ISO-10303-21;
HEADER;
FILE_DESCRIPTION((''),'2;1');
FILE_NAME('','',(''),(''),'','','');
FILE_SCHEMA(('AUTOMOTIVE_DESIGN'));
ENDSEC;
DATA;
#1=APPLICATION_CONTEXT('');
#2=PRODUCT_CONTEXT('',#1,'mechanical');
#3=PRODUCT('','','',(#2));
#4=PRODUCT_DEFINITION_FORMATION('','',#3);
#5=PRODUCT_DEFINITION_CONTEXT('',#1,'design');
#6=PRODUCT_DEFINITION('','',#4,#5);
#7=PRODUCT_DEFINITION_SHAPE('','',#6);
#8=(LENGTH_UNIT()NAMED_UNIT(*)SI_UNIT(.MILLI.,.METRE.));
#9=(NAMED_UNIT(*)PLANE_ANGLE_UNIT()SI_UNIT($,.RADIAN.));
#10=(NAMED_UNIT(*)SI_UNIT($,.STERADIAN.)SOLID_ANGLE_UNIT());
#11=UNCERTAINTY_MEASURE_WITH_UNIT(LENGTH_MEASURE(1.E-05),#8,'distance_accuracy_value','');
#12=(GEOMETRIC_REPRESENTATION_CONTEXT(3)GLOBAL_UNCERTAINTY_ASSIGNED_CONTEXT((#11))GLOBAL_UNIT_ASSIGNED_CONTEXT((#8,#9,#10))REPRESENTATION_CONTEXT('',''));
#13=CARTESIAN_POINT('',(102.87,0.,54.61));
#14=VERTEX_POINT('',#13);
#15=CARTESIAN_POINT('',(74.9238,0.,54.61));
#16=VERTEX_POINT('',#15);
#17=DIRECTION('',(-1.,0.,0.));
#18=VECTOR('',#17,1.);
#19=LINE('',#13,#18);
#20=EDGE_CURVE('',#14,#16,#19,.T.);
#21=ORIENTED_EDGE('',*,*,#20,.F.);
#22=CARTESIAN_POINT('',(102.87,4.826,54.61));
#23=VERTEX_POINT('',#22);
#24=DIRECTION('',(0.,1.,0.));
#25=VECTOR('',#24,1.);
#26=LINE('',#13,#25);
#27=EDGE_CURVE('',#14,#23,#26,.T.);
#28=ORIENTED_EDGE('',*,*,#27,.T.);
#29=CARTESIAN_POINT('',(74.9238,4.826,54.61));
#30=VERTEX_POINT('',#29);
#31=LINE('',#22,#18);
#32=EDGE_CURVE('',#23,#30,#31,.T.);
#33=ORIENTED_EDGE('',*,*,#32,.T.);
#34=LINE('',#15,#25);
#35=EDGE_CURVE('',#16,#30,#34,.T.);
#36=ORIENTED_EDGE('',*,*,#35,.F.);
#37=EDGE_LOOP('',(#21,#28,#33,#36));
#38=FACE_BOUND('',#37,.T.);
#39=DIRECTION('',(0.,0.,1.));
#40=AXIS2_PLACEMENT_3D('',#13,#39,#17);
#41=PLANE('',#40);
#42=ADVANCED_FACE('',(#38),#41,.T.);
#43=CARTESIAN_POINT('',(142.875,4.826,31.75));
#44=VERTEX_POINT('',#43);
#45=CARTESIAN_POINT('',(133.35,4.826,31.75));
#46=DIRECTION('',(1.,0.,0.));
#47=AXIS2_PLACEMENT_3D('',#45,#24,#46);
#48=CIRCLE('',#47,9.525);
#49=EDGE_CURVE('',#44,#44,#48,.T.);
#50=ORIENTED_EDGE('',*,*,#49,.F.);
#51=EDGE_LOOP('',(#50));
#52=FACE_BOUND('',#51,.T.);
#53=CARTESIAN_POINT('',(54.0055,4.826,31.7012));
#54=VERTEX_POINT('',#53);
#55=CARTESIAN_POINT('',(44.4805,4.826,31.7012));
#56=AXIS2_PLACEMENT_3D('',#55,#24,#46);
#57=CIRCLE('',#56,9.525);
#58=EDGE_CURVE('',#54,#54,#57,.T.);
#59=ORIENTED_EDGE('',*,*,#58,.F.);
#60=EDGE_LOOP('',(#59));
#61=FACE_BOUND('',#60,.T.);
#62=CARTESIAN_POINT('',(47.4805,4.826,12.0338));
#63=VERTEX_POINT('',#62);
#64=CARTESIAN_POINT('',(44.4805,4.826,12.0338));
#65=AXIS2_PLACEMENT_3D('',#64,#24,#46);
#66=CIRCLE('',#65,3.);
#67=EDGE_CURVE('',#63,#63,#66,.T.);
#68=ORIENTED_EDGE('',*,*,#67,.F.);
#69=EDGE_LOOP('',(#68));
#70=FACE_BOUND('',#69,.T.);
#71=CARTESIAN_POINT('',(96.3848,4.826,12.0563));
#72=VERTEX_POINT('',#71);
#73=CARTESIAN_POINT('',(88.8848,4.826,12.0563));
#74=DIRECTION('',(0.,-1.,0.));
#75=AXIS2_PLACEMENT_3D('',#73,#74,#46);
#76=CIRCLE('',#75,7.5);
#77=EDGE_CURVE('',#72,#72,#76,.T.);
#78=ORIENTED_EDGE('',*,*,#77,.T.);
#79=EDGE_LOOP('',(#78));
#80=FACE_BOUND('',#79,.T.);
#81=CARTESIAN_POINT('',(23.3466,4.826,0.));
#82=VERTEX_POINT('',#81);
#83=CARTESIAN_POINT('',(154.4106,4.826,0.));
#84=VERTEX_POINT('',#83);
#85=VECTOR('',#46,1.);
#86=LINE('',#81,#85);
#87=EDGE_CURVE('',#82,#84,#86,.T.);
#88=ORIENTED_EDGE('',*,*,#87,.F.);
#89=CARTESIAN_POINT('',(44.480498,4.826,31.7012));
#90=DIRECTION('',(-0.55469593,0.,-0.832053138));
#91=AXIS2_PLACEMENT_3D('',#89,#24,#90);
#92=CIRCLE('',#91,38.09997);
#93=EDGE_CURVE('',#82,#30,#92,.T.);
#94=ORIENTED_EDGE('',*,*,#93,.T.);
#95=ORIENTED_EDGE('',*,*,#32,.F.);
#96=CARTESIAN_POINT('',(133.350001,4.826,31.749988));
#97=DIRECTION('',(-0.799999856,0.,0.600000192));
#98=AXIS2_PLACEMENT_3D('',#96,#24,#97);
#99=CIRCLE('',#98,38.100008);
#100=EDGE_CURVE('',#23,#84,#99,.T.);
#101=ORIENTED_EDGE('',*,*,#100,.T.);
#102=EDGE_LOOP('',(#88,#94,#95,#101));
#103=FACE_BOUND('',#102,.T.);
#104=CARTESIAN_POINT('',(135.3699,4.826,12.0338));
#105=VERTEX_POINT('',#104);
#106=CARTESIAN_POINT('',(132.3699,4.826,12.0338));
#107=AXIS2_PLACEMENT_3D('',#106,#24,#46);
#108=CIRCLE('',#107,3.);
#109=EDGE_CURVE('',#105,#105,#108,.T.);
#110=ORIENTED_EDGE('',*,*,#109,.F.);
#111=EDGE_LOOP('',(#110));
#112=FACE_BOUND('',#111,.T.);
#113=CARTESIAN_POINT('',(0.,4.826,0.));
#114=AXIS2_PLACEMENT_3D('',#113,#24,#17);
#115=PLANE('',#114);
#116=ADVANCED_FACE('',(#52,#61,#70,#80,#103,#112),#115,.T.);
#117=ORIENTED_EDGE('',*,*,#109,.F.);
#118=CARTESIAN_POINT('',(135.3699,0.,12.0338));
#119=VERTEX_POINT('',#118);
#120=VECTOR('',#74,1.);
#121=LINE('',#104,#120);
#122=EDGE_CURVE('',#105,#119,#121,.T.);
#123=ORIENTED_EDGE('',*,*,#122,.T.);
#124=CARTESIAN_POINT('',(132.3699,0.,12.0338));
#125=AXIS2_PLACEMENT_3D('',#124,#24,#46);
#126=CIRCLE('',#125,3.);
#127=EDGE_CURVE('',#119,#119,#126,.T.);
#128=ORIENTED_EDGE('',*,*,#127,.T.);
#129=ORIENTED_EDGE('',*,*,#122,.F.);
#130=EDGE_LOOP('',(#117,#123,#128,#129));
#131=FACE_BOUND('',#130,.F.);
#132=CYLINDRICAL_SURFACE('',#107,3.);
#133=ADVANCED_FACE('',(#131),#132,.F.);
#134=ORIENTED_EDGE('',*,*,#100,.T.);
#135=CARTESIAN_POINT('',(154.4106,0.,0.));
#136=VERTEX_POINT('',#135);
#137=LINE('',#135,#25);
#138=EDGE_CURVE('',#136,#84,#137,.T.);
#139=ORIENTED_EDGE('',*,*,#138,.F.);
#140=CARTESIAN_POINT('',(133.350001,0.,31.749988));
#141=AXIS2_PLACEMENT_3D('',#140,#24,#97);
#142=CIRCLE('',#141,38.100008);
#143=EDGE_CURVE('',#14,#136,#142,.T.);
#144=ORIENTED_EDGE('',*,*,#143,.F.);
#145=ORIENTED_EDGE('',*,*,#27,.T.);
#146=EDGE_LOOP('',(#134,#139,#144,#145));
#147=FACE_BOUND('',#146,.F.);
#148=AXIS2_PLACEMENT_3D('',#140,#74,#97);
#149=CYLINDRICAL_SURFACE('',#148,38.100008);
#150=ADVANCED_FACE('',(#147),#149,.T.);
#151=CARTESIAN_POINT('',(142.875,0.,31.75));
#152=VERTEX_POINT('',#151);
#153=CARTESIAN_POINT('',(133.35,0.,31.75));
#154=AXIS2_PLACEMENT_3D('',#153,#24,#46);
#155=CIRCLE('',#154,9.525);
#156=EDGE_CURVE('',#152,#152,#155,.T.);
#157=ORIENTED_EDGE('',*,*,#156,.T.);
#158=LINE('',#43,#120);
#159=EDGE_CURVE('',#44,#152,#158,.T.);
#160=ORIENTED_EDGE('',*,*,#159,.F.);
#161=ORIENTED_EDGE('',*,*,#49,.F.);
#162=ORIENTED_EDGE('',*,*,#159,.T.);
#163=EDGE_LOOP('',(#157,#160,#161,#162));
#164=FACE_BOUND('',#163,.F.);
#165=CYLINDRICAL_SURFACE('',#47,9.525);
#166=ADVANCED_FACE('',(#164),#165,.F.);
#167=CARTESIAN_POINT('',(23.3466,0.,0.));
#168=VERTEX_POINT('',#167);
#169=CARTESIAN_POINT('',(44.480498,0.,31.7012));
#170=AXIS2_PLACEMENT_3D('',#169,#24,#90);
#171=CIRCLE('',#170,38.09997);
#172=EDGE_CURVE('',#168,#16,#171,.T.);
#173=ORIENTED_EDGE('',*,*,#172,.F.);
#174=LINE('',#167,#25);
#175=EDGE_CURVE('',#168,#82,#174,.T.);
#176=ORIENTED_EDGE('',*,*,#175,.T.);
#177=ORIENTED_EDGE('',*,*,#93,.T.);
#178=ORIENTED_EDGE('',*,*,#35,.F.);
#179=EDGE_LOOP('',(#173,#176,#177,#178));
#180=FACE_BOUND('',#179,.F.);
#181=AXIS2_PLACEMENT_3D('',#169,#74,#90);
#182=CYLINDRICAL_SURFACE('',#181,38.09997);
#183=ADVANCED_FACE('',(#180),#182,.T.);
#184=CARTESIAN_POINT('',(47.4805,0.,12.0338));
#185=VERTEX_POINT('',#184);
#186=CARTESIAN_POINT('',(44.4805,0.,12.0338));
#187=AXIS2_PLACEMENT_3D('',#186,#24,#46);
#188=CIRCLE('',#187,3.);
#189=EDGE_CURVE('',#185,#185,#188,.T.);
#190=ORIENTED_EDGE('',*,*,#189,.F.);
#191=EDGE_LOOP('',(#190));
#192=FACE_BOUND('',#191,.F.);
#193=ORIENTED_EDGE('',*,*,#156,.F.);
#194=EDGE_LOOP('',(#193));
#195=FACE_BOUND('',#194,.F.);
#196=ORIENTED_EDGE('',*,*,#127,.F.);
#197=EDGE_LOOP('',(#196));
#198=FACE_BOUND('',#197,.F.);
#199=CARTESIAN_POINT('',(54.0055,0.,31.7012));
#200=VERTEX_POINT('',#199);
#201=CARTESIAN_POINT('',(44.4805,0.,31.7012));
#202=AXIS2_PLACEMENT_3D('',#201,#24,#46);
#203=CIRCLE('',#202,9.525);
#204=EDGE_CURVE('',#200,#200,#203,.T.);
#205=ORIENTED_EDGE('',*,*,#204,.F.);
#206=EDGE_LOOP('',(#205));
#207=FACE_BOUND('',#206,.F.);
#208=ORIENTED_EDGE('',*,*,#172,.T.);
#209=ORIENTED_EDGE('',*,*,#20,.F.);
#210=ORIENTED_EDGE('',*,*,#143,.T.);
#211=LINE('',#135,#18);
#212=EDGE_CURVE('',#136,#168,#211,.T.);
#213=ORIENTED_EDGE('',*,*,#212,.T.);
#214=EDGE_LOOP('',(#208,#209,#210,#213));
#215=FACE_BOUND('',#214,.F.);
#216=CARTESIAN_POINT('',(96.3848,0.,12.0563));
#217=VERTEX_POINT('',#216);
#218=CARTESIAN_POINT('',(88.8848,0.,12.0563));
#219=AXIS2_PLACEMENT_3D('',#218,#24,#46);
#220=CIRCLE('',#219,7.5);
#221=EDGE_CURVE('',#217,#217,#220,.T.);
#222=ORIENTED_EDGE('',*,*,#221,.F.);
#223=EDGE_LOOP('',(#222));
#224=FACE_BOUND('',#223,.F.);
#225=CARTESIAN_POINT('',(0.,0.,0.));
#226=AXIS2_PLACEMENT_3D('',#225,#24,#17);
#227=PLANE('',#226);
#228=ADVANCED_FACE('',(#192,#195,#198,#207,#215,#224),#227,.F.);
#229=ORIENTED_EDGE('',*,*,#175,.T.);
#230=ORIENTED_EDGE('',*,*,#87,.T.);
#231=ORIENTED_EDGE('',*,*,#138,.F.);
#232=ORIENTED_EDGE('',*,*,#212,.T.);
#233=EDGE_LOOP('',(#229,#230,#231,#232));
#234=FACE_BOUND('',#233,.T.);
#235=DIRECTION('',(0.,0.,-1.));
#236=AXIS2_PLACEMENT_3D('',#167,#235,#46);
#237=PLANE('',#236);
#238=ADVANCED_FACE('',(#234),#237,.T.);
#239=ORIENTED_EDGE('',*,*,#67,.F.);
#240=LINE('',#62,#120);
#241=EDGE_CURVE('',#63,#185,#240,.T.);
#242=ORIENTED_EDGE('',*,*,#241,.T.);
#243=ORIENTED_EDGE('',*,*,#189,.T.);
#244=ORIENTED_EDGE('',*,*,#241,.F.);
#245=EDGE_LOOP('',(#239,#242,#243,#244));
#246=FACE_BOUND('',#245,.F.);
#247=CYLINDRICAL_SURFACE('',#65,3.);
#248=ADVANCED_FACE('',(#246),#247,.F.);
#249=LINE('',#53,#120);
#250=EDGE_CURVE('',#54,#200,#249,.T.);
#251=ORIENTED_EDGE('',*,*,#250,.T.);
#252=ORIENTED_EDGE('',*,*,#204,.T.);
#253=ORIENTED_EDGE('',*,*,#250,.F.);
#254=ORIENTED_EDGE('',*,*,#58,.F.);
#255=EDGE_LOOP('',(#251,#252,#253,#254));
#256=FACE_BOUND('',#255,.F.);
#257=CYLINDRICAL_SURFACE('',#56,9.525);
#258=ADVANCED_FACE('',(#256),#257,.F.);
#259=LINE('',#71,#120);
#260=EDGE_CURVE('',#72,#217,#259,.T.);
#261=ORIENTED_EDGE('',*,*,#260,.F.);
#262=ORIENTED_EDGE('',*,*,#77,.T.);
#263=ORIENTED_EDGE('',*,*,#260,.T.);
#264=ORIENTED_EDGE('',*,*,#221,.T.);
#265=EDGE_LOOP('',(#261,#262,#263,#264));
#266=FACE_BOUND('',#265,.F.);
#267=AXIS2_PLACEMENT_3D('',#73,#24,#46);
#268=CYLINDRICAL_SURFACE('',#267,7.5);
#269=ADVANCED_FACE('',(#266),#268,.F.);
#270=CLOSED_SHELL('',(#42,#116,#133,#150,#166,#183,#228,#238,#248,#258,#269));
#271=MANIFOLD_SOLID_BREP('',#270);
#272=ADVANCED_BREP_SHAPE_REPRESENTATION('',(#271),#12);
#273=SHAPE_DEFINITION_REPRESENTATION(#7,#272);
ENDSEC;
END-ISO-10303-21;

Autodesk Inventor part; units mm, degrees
ref_plane "YZ Plane" through (0, 0, 0) normal (1, 0, 0) x (0, 1, 0)
ref_plane "XZ Plane" through (0, 0, 0) normal (0, 1, 0) x (-1, 0, 0)
ref_plane "XY Plane" through (0, 0, 0) normal (0, 0, 1) x (1, 0, 0)
sketch "Sketch1" plane through (0, 0, 0) normal (0, 1, 0) x (-1, 0, 0)
  line L0 (-23.3466, 0) -> (-154.4106, 0)
  line L1 (-102.87, 54.61) -> (-74.9238, 54.61)
  line L2 (-88.9, 0) -> (-23.3466, 0)
  line L3 (-88.9, 0) -> (-154.4106, 0)
  arc A0 (-102.87, 54.61) -> (-154.4106, 0) centre (-133.35, 31.75) ccw
  arc A1 (-23.3466, 0) -> (-74.9238, 54.61) centre (-44.4805, 31.7012) ccw
  point P0 (0, 0)
  dimension "d0" = 76.2
  dimension "d1" = 76.2
  dimension "d2" = 131.064
  dimension "d12" = 54.61
extrude "Extrusion1" add sketch "Sketch1" along normal blind 4.826
sketch "Sketch2" plane through (0, 4.826, 0) normal (0, 1, 0) x (1, 0, 0)
  line L0 (154.4106, 0) -> (23.3466, 0) projected
  arc A0 (23.3466, 0) -> (74.9238, -54.61) centre (44.4805, -31.7012) ccw projected
  line L1 (74.9238, -54.61) -> (102.87, -54.61) projected
  arc A1 (102.87, -54.61) -> (154.4106, 0) centre (133.35, -31.75) ccw projected
  circle A2 centre (44.4805, -31.7012) radius 9.525
  circle A3 centre (133.35, -31.75) radius 9.525
  line L2 (88.8786, 0) -> (88.8969, -54.61)
  line L3 (88.891, -24.1125) -> (88.8786, 0)
  circle A4 centre (132.3699, -12.0338) radius 3
  circle A5 centre (44.4805, -12.0338) radius 3
  circle A6 centre (88.8848, -12.0563) radius 7.5
  point P0 (0, 0)
  dimension "d9" = 6
  dimension "d10" = 6
  dimension "d11" = 15
extrude "Extrusion2" cut sketch "Sketch2" against normal through all contours A6 L2 | L2 A6 | A2 | A3 | A4 | A5
properties part number "paitent remote top"
